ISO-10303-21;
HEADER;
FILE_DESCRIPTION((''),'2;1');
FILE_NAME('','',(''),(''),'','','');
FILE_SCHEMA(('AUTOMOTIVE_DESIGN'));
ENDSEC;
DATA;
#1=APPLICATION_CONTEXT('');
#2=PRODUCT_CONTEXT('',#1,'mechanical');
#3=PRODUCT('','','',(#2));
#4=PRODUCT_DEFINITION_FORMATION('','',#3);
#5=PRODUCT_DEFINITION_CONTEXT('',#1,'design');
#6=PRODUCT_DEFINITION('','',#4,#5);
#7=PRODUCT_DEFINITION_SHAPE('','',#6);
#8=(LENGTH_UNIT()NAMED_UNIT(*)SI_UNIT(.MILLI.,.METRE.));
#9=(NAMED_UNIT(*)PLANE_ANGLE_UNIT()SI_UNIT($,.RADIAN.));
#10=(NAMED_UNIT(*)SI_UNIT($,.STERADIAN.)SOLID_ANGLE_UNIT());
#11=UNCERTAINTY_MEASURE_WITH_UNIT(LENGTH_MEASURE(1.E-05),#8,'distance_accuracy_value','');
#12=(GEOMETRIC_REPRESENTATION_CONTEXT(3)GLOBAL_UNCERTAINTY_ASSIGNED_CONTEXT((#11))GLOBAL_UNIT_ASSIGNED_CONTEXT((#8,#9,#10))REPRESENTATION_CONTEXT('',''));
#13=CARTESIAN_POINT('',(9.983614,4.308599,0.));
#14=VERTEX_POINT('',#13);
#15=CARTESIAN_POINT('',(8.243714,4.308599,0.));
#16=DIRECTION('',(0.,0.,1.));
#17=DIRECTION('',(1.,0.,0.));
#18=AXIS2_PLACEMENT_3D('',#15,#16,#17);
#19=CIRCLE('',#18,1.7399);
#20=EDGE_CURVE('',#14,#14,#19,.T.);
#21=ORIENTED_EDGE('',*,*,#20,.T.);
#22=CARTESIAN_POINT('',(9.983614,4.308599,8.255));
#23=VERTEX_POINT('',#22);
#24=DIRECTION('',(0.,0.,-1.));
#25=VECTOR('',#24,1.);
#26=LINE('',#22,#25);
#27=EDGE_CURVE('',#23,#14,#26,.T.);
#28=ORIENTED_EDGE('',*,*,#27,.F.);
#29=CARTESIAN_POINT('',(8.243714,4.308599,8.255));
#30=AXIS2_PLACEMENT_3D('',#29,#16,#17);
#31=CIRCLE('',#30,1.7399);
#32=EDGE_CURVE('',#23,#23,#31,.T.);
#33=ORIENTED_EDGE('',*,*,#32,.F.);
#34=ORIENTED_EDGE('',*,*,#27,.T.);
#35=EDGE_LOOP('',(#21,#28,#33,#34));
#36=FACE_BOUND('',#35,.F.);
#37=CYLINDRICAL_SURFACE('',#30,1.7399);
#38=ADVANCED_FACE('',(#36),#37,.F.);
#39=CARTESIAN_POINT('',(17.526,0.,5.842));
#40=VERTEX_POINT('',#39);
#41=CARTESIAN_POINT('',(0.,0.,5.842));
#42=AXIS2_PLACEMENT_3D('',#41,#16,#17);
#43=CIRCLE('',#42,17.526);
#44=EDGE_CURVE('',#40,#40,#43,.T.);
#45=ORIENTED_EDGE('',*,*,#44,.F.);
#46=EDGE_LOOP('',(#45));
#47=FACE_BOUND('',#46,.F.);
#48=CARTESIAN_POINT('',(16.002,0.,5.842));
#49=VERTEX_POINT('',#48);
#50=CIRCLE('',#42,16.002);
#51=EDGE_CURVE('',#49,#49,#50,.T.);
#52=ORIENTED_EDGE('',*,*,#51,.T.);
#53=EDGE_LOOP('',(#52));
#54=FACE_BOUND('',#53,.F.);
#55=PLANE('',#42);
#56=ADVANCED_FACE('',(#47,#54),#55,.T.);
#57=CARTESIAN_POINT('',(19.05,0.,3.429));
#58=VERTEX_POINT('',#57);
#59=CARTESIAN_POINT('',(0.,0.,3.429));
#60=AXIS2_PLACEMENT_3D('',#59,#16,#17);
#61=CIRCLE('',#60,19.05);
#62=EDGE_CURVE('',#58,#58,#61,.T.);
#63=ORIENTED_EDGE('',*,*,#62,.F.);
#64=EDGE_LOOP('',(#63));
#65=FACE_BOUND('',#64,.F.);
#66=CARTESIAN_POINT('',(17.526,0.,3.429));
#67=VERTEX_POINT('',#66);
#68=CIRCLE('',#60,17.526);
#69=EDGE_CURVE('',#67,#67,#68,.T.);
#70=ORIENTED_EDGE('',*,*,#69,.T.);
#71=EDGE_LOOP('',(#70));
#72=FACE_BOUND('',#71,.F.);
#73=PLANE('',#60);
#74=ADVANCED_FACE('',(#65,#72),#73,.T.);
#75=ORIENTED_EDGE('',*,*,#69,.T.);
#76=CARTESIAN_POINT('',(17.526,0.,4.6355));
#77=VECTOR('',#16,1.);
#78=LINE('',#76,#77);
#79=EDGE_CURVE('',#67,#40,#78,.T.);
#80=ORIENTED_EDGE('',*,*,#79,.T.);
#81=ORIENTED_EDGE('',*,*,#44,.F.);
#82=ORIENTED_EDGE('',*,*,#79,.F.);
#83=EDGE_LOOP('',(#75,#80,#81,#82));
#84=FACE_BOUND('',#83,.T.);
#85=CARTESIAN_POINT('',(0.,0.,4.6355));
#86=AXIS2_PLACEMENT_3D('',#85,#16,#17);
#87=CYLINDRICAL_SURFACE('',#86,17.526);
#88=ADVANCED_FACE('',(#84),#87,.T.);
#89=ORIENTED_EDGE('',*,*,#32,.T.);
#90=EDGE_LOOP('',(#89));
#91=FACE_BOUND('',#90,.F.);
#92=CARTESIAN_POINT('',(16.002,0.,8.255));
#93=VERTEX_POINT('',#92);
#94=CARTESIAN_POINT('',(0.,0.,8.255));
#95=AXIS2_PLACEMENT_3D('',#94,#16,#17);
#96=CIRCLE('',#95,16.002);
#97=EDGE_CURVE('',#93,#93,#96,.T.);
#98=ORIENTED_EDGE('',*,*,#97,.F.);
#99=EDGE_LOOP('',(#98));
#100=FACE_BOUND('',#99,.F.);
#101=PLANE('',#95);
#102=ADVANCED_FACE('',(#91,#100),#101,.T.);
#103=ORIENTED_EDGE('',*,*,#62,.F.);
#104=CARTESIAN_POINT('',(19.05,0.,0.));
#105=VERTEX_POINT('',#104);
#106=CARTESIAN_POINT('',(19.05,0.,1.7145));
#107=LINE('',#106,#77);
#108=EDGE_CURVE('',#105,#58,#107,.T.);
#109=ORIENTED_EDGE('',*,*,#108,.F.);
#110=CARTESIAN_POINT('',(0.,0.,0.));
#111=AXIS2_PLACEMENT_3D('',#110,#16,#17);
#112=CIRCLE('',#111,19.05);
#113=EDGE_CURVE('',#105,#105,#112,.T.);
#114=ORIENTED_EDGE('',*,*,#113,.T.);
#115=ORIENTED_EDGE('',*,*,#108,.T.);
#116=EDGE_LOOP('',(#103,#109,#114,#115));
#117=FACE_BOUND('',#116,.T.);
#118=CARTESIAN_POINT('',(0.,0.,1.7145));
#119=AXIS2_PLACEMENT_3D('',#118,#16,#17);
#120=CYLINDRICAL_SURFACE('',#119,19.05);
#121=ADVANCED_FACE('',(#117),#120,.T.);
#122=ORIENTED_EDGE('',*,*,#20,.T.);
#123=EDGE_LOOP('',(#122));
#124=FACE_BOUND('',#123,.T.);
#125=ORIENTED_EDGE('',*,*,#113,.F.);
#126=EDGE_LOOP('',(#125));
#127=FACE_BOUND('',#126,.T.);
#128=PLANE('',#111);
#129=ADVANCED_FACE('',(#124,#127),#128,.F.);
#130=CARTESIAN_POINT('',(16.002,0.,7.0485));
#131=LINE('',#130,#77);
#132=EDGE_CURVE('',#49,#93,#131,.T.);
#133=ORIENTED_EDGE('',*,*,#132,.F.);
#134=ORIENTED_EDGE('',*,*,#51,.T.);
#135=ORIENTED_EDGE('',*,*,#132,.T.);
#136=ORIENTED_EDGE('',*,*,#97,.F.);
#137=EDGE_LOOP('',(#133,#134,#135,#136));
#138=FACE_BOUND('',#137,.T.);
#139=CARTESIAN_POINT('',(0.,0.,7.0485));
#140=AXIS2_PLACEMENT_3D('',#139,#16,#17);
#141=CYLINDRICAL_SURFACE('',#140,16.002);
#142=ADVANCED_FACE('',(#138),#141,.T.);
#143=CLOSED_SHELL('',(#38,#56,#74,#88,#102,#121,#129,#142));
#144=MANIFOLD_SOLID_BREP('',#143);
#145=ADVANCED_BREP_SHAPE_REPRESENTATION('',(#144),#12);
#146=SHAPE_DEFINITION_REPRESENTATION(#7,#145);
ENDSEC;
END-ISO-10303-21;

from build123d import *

# Parameters (mm, degrees)
F0_W     = 19.05
F0_H     = 3.429
F2_W     = 17.526
F2_H     = 2.413
F4_W     = 16.002
F4_H     = 2.413
F6_R     = 1.7399
F7_DEPTH = 8.256


with BuildPart() as f1:
    # F0 (on Front) → F1 (revolve)
    with BuildSketch(Plane.XZ):
        with Locations((9.525, 1.7145)):
            Rectangle(F0_W, F0_H)
    revolve(axis=Axis((0, 0, 1.7145), (0, 0, 1)))

    # F2 (on Front) → F3 (revolve)
    with BuildSketch(Plane.XZ):
        with Locations((8.763, 4.6355)):
            Rectangle(F2_W, F2_H)
    revolve(axis=Axis((0, 0, 4.6355), (0, 0, 1)))

    # F4 (on Front) → F5 (revolve)
    with BuildSketch(Plane.XZ):
        with Locations((8.001, 7.0485)):
            Rectangle(F4_W, F4_H)
    revolve(axis=Axis((0, 0, 7.0485), (0, 0, 1)))

    # F6 (on face) → F7 (cut, through all)
    with BuildSketch(Plane.XY.offset(8.255)):
        with Locations((8.243714, 4.308599)):
            Circle(F6_R)
    extrude(amount=-F7_DEPTH, mode=Mode.SUBTRACT)


solid = f1.part
